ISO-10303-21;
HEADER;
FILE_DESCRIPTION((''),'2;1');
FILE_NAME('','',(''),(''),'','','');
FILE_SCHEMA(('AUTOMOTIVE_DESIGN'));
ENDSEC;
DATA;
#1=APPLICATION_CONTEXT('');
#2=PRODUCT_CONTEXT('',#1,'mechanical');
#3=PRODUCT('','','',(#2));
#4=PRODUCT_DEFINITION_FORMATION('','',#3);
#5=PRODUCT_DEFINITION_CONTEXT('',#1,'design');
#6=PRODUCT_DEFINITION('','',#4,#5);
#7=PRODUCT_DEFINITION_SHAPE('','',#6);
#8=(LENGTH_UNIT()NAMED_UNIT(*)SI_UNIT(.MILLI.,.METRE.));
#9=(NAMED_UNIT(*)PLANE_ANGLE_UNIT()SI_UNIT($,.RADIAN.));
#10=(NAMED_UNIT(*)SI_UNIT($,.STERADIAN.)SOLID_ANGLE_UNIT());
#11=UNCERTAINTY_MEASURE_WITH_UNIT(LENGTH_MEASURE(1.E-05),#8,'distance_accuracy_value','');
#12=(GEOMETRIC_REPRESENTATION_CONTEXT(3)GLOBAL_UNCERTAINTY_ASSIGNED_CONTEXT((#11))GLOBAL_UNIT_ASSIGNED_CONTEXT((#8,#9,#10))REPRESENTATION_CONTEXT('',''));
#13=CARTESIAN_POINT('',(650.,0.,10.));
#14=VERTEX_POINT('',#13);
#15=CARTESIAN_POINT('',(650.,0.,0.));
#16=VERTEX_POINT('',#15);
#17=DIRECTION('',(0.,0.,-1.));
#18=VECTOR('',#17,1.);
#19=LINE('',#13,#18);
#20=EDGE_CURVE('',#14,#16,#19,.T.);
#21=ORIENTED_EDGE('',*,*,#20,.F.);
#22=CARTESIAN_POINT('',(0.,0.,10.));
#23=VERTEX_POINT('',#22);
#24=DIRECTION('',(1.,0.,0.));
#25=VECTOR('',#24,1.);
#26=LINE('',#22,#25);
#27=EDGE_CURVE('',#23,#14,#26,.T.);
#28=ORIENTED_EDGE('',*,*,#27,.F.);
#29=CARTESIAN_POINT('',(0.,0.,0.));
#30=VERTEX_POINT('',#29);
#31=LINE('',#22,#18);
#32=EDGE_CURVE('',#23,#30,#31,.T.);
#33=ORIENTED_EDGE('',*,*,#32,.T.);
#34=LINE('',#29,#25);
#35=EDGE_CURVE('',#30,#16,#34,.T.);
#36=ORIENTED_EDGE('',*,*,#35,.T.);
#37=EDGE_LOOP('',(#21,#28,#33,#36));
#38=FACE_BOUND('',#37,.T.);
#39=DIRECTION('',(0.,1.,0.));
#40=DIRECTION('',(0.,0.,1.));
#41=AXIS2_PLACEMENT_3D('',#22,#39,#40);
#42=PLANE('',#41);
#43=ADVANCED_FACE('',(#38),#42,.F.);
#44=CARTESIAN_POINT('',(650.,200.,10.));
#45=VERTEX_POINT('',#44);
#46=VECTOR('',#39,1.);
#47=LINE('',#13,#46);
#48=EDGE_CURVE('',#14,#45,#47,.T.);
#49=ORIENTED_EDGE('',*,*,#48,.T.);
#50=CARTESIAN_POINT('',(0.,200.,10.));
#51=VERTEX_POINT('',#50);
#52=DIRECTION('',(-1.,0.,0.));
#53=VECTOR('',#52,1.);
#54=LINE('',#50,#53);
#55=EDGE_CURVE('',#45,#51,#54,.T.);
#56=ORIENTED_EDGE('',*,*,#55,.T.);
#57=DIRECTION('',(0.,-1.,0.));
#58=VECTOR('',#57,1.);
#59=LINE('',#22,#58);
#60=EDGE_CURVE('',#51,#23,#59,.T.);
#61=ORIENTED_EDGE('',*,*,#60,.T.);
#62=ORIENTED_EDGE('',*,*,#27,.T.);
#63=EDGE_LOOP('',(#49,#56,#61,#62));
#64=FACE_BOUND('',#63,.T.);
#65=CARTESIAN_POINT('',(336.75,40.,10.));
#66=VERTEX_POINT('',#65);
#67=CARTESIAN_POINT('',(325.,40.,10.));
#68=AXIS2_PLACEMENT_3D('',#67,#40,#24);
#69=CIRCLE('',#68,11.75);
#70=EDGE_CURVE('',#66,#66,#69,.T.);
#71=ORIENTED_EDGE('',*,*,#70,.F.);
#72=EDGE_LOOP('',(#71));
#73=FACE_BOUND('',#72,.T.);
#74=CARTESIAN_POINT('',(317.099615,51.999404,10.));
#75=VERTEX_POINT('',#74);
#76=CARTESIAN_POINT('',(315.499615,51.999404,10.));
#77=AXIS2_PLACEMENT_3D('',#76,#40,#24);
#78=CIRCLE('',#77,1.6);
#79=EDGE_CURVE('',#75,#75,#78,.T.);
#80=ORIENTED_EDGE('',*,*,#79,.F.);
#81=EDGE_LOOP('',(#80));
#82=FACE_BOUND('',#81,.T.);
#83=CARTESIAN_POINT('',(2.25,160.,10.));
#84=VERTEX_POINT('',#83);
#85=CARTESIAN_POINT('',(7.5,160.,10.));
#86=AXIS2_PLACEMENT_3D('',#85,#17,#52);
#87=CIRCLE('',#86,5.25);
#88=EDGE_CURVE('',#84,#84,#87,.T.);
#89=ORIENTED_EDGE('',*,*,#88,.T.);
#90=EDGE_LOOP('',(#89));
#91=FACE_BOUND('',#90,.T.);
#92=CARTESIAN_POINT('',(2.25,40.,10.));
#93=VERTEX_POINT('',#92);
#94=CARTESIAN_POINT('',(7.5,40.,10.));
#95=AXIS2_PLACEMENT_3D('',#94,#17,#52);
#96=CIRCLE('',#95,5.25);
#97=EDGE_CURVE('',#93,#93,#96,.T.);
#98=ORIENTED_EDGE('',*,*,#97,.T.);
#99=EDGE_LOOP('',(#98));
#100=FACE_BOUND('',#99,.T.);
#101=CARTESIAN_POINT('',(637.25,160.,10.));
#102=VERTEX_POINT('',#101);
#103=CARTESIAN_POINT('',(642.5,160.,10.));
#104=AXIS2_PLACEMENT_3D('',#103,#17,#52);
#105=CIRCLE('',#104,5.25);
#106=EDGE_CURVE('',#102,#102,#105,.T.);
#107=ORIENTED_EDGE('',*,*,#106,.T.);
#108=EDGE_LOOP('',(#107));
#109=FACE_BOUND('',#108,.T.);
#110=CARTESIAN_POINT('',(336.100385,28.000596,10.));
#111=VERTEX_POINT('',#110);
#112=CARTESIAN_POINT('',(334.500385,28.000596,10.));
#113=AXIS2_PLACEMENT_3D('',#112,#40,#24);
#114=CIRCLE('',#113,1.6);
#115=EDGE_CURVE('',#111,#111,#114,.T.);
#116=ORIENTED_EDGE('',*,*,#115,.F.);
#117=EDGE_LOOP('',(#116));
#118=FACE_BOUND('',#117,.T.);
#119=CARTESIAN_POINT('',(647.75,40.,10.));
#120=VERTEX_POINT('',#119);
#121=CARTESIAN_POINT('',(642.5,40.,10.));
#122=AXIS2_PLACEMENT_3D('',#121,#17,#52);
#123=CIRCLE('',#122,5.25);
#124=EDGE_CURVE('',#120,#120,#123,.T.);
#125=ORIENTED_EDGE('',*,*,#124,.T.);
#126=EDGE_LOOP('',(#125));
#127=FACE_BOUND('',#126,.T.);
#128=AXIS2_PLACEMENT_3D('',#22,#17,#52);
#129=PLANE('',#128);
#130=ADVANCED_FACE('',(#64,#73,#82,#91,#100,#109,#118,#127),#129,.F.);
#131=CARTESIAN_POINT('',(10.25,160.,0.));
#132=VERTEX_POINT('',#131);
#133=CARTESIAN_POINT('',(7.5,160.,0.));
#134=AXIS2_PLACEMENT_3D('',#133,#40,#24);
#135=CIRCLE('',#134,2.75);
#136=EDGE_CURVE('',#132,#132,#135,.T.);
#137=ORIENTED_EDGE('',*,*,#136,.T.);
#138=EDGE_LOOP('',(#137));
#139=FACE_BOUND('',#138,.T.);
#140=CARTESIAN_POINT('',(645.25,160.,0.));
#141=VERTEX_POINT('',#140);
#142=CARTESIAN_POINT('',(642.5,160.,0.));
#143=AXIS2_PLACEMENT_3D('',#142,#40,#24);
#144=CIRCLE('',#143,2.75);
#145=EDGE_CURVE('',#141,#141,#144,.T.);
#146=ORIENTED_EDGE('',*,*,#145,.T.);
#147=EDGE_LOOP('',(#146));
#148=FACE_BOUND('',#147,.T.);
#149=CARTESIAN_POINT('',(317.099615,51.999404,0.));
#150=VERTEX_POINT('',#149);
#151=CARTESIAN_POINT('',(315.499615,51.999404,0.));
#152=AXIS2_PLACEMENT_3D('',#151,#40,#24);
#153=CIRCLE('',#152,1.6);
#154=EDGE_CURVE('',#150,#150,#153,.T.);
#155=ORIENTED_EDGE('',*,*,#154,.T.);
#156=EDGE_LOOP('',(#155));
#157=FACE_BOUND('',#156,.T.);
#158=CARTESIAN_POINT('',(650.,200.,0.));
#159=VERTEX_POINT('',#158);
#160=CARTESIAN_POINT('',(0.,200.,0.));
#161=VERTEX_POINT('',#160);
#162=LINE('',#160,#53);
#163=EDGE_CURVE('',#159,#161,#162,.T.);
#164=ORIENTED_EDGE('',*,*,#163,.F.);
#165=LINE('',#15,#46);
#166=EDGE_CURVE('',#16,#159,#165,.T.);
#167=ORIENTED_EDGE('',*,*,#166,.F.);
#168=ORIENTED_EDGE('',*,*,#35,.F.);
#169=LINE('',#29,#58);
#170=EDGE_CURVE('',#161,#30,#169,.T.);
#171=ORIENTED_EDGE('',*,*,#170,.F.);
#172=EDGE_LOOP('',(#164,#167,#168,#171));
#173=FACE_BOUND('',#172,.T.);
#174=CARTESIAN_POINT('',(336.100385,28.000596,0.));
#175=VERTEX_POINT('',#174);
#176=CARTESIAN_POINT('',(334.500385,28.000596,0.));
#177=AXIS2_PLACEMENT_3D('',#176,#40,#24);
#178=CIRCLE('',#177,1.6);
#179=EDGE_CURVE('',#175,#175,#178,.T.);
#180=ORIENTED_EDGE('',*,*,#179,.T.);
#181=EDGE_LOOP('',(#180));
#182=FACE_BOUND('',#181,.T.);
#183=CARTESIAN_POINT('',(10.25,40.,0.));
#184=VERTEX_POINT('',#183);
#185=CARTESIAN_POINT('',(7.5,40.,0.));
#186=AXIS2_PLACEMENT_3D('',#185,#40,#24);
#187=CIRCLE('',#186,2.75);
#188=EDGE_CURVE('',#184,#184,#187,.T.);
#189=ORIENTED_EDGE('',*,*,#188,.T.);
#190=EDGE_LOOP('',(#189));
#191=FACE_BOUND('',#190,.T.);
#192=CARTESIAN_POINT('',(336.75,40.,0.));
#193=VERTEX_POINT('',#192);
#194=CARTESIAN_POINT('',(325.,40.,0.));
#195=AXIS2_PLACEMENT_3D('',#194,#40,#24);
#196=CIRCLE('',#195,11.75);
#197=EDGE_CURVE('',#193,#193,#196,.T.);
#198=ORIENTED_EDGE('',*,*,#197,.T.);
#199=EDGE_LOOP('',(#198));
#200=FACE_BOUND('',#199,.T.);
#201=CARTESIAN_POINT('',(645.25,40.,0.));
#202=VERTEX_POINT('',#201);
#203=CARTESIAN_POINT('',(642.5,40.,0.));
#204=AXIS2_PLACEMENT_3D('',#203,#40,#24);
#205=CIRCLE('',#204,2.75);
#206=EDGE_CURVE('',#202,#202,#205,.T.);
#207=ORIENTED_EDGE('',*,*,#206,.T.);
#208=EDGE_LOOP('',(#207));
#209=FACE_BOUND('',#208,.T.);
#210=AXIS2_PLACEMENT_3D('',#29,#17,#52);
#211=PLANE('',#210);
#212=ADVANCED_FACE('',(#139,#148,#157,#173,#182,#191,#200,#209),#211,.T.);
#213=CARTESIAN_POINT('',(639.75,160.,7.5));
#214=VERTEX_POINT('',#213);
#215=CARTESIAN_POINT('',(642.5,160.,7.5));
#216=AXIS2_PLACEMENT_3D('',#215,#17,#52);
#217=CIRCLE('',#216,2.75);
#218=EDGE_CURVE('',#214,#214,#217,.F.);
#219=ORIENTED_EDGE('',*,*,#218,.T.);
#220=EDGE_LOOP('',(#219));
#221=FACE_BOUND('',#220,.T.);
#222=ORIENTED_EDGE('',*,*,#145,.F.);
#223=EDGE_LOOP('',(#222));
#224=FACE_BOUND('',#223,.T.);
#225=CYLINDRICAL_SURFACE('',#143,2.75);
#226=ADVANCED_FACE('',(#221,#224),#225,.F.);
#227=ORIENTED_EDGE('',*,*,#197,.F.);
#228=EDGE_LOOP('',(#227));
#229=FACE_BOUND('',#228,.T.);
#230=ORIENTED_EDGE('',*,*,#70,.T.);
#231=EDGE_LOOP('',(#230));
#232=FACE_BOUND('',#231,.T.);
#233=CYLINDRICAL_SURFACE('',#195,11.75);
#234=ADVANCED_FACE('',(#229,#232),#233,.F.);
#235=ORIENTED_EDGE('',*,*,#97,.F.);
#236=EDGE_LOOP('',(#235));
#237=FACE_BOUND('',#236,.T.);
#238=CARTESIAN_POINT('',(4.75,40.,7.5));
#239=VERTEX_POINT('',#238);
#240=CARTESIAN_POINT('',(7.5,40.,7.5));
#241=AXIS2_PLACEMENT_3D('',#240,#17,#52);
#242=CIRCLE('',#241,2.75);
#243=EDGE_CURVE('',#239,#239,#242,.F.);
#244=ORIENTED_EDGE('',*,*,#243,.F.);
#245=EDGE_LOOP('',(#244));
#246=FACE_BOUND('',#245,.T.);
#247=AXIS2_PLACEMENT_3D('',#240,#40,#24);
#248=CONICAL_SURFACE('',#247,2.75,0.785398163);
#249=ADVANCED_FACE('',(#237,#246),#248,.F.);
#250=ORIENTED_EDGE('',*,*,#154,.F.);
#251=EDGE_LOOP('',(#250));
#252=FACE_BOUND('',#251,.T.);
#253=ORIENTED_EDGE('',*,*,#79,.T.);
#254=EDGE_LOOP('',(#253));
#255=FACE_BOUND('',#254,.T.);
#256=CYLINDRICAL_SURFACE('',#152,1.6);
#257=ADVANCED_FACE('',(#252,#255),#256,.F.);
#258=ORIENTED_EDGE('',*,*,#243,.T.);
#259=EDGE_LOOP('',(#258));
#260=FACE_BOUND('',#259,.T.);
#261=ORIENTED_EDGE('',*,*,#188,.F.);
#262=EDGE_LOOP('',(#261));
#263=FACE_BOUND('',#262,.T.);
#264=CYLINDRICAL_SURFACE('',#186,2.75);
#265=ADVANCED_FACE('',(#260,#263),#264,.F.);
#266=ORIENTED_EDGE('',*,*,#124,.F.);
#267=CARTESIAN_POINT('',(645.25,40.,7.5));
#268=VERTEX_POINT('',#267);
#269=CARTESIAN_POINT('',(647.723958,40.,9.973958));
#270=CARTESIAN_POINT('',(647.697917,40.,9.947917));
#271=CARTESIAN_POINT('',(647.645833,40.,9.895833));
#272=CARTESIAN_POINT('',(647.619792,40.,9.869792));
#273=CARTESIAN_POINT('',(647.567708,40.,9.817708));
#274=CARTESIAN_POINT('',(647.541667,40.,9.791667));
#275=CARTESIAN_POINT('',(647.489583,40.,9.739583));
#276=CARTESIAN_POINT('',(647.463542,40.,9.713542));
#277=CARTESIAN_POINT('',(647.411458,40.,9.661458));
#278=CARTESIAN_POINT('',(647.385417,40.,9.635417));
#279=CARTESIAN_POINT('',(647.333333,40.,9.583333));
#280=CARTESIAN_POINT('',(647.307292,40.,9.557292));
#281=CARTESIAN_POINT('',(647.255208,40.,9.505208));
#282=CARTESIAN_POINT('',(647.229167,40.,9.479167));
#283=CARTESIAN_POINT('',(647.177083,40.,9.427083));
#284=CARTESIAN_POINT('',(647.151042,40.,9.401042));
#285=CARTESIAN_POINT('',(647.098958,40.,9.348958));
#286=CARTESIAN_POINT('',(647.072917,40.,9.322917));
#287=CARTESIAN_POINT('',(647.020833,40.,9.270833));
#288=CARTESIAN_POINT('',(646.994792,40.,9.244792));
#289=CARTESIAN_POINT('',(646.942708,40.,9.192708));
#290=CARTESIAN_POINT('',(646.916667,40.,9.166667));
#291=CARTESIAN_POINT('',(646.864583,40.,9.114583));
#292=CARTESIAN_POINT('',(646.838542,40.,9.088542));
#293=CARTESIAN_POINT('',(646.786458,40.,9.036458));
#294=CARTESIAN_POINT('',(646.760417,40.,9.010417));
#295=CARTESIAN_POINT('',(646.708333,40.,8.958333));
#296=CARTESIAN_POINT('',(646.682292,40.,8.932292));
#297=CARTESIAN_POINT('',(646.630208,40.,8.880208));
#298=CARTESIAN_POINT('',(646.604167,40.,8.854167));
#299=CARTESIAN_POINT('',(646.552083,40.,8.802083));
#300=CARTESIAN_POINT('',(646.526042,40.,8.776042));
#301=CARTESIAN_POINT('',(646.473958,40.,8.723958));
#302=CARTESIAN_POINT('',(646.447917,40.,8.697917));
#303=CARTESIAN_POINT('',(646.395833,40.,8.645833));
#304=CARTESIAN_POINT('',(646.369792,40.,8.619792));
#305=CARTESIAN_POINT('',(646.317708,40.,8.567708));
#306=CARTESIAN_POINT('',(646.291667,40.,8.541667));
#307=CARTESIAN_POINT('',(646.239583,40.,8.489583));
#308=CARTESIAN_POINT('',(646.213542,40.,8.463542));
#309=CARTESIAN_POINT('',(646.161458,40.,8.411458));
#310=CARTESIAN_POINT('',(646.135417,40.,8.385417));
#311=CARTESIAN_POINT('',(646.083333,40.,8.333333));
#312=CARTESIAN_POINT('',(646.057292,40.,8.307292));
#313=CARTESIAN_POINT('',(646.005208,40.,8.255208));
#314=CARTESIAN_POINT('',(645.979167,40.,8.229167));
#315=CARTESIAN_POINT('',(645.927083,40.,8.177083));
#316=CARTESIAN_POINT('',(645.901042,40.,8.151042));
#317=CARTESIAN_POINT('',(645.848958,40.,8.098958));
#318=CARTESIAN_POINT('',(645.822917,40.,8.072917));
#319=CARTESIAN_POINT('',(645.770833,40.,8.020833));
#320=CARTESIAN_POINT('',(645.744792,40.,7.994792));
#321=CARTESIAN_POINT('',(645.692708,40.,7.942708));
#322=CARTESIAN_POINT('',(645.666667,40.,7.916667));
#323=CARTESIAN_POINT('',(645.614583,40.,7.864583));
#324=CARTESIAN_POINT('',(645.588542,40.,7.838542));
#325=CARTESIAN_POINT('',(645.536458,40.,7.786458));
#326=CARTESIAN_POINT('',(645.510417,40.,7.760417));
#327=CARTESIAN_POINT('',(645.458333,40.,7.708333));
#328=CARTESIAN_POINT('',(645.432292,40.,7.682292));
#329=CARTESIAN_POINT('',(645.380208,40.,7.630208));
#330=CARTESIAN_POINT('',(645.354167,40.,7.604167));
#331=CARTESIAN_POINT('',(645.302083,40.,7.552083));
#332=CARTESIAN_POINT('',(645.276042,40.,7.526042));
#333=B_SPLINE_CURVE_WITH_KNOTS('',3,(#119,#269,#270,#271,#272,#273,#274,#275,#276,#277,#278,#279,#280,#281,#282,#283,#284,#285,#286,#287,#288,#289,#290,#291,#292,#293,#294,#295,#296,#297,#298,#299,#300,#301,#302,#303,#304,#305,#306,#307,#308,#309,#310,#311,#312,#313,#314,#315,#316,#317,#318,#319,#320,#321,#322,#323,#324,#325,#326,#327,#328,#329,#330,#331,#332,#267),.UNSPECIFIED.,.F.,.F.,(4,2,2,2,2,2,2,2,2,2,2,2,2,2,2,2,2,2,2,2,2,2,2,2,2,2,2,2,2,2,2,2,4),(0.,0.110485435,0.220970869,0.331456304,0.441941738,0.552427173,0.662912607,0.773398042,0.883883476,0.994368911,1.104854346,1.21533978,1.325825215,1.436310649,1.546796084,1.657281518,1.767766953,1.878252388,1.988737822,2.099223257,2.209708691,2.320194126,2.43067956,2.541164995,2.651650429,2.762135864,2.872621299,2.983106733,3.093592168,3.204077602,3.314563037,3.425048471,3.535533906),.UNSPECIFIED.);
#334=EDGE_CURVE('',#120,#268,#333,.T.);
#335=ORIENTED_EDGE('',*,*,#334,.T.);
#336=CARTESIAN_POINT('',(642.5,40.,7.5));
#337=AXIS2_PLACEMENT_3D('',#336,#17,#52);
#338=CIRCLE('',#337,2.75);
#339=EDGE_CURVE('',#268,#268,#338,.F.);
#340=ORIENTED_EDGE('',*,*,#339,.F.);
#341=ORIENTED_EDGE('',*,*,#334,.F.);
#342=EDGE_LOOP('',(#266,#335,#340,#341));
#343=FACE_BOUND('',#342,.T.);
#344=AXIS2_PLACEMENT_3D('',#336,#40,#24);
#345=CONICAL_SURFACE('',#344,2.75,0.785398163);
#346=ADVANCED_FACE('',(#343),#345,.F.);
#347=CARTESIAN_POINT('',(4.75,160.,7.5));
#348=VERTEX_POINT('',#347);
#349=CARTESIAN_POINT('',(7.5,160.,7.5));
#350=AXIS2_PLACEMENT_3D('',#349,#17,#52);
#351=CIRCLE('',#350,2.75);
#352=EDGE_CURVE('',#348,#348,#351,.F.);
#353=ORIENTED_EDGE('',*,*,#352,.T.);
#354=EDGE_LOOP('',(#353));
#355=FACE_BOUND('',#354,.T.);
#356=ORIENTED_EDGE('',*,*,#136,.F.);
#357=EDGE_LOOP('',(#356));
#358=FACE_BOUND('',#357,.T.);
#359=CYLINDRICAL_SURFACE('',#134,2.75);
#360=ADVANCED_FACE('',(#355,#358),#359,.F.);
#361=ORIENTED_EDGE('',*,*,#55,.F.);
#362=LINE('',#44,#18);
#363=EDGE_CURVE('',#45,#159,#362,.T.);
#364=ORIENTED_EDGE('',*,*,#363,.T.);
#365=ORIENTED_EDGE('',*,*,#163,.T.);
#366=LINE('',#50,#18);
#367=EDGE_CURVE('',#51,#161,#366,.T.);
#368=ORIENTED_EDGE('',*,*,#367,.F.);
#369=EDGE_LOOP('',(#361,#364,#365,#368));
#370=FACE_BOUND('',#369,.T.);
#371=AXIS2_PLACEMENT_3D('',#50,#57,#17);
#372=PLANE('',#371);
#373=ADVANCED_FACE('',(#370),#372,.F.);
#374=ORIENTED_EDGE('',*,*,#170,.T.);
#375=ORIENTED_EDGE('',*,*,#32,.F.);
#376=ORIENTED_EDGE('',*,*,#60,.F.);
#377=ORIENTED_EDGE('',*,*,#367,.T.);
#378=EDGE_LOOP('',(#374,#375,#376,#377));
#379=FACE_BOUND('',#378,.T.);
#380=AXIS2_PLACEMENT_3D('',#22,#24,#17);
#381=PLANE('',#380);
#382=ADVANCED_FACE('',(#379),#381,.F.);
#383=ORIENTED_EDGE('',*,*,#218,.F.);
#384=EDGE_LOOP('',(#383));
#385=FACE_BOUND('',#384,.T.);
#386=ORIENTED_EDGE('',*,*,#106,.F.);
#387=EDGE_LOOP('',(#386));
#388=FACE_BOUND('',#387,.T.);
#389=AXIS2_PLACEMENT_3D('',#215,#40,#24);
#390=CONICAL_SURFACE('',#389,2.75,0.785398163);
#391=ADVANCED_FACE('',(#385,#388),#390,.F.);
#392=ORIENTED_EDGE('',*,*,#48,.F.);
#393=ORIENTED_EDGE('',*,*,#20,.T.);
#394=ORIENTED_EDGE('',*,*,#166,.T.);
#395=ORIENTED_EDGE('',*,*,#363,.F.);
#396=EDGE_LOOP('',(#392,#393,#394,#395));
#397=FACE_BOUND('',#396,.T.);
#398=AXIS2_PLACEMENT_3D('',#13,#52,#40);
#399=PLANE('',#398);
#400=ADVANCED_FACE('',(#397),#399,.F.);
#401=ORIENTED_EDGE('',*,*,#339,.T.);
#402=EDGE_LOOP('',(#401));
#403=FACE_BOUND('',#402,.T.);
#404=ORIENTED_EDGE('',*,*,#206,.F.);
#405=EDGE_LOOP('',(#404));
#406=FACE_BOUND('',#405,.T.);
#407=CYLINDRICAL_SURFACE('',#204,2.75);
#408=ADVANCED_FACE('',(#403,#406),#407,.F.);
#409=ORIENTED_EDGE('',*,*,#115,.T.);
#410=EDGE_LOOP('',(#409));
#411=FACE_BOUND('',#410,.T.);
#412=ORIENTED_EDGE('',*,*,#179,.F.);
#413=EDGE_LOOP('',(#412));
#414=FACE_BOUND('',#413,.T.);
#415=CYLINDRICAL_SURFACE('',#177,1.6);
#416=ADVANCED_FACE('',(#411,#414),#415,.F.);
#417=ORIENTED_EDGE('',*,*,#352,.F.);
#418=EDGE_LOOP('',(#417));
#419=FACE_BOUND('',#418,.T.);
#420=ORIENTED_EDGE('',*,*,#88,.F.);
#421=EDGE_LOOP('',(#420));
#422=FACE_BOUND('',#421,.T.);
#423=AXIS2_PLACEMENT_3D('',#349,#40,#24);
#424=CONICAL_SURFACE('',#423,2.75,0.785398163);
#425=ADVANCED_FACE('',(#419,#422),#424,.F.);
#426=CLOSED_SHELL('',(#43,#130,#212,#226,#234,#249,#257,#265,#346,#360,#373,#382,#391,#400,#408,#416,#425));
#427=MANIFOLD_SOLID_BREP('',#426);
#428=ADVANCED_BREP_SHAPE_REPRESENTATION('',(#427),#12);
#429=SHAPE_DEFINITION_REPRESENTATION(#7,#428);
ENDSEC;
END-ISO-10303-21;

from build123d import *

# Parameters (mm, degrees)
ESQUISSE1_W             = 650
ESQUISSE1_H             = 200
BOSS_EXTRU_1_DEPTH      = 10
ESQUISSE2_R             = 2.75
ENL_V_MAT_EXTRU_1_DEPTH = 10
CHANFREIN1_SIZE         = 2.5
ESQUISSE3_R             = 11.75
ESQUISSE3_R_2           = 1.6
ENL_V_MAT_EXTRU_2_DEPTH = 10


with BuildPart() as part:
    # Esquisse1 → Boss.-Extru.1 (new body)
    with BuildSketch(Plane.XY):
        with Locations((325, 100)):
            Rectangle(ESQUISSE1_W, ESQUISSE1_H)
    extrude(amount=BOSS_EXTRU_1_DEPTH)

    # Esquisse2 → Enlèv. mat.-Extru.1 (cut)
    with BuildSketch(Plane.XY.offset(10)):
        with Locations((7.5, 160)):
            Circle(ESQUISSE2_R)
        with Locations((642.5, 160)):
            Circle(ESQUISSE2_R)
        with Locations((7.5, 40)):
            Circle(ESQUISSE2_R)
        with Locations((642.5, 40)):
            Circle(ESQUISSE2_R)
    extrude(amount=-ENL_V_MAT_EXTRU_1_DEPTH, mode=Mode.SUBTRACT)

    # Chanfrein1
    chanfrein1_edges = [part.edges().sort_by_distance(p)[0] for p in [
        (4.75, 160, 10),
        (639.75, 160, 10),
        (4.75, 40, 10),
        (639.75, 40, 10),
    ]]
    chamfer(chanfrein1_edges, length=CHANFREIN1_SIZE)

    # Esquisse3 → Enlèv. mat.-Extru.2 (cut)
    with BuildSketch(Plane.XY.offset(10)):
        with Locations((325, 40)):
            Circle(ESQUISSE3_R)
        with Locations((315.499614794, 51.999404399)):
            Circle(ESQUISSE3_R_2)
        with Locations((334.500385206, 28.000595601)):
            Circle(ESQUISSE3_R_2)
    extrude(amount=-ENL_V_MAT_EXTRU_2_DEPTH, mode=Mode.SUBTRACT)


solid = part.part
